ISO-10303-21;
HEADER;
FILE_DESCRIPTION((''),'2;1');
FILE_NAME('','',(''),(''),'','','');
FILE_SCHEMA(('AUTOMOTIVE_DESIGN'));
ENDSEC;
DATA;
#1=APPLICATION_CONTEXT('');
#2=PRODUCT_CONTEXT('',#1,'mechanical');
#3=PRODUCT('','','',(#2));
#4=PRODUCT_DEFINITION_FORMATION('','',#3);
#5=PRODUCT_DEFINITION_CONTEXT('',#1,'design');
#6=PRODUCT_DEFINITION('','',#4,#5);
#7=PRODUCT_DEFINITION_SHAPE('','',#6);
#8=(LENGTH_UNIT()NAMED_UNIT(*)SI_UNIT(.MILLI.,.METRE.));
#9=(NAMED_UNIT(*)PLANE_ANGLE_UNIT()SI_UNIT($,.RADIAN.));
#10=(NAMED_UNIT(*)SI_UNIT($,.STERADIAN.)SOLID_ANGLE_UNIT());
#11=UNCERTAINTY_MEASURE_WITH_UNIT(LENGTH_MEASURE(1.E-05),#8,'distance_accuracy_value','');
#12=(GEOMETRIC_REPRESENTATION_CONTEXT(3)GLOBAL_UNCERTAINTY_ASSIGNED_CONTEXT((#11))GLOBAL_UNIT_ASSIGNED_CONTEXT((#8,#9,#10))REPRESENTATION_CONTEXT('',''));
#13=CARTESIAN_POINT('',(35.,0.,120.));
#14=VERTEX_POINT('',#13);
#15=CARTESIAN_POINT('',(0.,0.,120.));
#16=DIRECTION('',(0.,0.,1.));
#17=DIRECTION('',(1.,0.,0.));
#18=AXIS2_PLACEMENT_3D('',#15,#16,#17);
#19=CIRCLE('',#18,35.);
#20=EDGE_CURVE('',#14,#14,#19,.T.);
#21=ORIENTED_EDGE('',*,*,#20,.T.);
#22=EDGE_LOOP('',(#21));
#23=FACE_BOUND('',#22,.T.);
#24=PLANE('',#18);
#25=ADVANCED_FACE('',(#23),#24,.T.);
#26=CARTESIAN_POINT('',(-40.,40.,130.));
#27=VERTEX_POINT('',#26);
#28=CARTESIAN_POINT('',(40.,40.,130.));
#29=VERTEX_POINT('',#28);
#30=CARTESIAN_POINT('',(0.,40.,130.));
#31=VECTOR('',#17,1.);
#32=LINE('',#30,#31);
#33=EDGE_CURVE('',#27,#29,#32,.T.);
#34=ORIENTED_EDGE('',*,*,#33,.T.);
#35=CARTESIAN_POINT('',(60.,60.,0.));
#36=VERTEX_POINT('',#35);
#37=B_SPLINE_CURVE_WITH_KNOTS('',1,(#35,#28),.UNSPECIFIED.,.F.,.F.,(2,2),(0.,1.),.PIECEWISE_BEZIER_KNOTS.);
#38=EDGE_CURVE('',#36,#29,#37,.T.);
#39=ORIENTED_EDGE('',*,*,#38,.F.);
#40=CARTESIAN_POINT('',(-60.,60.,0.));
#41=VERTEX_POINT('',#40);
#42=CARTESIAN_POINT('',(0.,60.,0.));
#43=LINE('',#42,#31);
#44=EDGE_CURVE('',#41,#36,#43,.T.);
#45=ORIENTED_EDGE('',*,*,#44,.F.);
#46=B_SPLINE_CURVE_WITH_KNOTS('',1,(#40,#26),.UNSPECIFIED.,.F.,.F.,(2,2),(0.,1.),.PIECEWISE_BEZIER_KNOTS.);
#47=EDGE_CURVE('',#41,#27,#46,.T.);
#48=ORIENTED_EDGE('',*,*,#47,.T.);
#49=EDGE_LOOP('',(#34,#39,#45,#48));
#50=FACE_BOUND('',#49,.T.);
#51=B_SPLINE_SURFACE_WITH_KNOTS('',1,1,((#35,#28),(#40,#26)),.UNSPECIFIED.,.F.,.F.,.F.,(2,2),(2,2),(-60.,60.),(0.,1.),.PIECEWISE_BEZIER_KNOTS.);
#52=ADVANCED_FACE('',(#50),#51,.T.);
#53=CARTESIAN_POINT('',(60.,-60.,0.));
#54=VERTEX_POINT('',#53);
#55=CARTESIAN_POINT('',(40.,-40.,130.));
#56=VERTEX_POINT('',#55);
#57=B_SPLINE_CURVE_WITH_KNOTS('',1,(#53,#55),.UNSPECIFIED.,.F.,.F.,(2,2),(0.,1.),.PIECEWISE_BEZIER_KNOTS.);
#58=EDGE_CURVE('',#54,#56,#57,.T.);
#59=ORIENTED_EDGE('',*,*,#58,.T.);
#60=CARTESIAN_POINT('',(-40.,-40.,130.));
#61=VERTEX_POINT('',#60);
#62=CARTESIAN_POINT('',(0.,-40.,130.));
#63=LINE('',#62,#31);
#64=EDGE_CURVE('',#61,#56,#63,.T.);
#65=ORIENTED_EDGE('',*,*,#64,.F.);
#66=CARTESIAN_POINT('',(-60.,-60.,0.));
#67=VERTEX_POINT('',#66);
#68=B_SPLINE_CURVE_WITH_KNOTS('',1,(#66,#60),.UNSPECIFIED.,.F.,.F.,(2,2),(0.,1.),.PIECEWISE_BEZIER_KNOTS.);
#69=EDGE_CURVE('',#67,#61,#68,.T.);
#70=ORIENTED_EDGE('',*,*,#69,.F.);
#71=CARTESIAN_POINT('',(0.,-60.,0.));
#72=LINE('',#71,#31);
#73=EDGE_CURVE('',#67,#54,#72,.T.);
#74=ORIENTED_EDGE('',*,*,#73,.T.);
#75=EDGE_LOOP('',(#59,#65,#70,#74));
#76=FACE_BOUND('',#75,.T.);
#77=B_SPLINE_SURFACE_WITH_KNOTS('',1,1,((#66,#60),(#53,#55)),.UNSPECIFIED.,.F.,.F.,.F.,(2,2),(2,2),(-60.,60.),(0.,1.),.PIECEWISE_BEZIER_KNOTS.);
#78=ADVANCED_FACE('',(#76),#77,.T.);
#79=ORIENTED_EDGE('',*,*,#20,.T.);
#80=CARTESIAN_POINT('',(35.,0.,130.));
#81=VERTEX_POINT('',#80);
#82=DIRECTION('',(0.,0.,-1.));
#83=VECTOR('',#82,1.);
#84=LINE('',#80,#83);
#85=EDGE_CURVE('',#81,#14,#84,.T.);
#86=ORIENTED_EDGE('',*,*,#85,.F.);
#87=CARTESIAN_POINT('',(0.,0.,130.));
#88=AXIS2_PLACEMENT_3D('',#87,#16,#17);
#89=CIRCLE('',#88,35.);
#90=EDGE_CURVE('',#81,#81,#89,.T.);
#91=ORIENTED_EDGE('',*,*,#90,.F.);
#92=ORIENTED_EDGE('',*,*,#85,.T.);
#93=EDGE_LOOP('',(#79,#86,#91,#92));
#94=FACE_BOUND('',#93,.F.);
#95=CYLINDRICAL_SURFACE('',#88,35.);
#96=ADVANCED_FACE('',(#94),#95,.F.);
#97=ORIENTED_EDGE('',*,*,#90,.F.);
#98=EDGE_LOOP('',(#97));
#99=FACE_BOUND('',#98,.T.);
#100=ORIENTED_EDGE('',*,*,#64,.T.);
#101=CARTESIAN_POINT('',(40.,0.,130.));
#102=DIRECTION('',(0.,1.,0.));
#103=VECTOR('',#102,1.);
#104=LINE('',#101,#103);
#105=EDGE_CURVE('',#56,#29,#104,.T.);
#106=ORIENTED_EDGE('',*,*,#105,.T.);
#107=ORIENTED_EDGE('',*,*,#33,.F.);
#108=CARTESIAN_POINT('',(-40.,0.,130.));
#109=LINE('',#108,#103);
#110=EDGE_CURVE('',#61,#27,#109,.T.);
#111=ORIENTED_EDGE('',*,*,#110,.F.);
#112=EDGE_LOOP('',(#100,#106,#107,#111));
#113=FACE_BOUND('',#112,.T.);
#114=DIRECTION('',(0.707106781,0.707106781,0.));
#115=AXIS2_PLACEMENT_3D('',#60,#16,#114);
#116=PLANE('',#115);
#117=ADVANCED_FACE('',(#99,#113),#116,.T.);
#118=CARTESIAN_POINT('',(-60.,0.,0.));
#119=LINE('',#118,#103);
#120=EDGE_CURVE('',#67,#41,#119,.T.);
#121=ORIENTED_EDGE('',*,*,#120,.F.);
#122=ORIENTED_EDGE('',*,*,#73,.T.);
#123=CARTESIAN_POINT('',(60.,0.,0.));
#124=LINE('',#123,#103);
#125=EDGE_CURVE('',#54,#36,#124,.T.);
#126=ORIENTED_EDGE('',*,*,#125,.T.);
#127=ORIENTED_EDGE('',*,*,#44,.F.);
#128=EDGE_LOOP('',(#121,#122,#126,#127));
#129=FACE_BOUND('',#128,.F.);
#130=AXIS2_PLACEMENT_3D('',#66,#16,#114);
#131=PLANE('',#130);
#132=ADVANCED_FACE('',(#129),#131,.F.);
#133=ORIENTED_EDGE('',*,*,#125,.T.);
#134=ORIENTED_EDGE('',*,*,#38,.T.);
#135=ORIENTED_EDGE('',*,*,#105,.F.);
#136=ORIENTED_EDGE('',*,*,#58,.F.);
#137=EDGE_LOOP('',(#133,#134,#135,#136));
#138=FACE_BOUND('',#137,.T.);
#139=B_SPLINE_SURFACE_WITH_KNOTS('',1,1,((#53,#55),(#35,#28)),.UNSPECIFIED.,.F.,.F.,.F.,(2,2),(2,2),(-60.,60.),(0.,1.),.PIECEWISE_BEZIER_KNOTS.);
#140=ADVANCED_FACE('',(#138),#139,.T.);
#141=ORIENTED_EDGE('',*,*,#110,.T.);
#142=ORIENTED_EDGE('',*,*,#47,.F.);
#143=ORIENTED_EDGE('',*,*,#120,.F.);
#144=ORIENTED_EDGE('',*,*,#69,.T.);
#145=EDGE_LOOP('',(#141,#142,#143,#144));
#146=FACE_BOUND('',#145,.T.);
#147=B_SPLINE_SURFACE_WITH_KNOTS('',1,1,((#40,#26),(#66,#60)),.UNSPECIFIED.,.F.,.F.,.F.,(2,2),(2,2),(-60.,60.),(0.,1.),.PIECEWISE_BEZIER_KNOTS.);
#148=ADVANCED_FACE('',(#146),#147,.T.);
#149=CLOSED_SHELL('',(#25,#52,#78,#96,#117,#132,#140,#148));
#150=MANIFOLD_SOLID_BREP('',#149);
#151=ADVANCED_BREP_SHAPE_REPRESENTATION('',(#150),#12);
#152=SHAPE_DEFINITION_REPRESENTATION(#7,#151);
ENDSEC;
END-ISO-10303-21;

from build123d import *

# Parameters (mm, degrees)
F0_W     = 120
F0_H     = 120
F2_W     = 80
F2_H     = 80
F4_R     = 35
F5_DEPTH = 10


with BuildPart() as f3:
    # F0 (on Top) → F3 section 0
    with BuildSketch(Plane.XY):
        Rectangle(F0_W, F0_H)
    # F2 (on offset) → F3 section 1
    with BuildSketch(Plane.XY.offset(130)):
        Rectangle(F2_W, F2_H)
    loft()

    # F4 (on face) → F5 (cut)
    with BuildSketch(Plane.XY.offset(130)):
        Circle(F4_R)
    extrude(amount=-F5_DEPTH, mode=Mode.SUBTRACT)


solid = f3.part
